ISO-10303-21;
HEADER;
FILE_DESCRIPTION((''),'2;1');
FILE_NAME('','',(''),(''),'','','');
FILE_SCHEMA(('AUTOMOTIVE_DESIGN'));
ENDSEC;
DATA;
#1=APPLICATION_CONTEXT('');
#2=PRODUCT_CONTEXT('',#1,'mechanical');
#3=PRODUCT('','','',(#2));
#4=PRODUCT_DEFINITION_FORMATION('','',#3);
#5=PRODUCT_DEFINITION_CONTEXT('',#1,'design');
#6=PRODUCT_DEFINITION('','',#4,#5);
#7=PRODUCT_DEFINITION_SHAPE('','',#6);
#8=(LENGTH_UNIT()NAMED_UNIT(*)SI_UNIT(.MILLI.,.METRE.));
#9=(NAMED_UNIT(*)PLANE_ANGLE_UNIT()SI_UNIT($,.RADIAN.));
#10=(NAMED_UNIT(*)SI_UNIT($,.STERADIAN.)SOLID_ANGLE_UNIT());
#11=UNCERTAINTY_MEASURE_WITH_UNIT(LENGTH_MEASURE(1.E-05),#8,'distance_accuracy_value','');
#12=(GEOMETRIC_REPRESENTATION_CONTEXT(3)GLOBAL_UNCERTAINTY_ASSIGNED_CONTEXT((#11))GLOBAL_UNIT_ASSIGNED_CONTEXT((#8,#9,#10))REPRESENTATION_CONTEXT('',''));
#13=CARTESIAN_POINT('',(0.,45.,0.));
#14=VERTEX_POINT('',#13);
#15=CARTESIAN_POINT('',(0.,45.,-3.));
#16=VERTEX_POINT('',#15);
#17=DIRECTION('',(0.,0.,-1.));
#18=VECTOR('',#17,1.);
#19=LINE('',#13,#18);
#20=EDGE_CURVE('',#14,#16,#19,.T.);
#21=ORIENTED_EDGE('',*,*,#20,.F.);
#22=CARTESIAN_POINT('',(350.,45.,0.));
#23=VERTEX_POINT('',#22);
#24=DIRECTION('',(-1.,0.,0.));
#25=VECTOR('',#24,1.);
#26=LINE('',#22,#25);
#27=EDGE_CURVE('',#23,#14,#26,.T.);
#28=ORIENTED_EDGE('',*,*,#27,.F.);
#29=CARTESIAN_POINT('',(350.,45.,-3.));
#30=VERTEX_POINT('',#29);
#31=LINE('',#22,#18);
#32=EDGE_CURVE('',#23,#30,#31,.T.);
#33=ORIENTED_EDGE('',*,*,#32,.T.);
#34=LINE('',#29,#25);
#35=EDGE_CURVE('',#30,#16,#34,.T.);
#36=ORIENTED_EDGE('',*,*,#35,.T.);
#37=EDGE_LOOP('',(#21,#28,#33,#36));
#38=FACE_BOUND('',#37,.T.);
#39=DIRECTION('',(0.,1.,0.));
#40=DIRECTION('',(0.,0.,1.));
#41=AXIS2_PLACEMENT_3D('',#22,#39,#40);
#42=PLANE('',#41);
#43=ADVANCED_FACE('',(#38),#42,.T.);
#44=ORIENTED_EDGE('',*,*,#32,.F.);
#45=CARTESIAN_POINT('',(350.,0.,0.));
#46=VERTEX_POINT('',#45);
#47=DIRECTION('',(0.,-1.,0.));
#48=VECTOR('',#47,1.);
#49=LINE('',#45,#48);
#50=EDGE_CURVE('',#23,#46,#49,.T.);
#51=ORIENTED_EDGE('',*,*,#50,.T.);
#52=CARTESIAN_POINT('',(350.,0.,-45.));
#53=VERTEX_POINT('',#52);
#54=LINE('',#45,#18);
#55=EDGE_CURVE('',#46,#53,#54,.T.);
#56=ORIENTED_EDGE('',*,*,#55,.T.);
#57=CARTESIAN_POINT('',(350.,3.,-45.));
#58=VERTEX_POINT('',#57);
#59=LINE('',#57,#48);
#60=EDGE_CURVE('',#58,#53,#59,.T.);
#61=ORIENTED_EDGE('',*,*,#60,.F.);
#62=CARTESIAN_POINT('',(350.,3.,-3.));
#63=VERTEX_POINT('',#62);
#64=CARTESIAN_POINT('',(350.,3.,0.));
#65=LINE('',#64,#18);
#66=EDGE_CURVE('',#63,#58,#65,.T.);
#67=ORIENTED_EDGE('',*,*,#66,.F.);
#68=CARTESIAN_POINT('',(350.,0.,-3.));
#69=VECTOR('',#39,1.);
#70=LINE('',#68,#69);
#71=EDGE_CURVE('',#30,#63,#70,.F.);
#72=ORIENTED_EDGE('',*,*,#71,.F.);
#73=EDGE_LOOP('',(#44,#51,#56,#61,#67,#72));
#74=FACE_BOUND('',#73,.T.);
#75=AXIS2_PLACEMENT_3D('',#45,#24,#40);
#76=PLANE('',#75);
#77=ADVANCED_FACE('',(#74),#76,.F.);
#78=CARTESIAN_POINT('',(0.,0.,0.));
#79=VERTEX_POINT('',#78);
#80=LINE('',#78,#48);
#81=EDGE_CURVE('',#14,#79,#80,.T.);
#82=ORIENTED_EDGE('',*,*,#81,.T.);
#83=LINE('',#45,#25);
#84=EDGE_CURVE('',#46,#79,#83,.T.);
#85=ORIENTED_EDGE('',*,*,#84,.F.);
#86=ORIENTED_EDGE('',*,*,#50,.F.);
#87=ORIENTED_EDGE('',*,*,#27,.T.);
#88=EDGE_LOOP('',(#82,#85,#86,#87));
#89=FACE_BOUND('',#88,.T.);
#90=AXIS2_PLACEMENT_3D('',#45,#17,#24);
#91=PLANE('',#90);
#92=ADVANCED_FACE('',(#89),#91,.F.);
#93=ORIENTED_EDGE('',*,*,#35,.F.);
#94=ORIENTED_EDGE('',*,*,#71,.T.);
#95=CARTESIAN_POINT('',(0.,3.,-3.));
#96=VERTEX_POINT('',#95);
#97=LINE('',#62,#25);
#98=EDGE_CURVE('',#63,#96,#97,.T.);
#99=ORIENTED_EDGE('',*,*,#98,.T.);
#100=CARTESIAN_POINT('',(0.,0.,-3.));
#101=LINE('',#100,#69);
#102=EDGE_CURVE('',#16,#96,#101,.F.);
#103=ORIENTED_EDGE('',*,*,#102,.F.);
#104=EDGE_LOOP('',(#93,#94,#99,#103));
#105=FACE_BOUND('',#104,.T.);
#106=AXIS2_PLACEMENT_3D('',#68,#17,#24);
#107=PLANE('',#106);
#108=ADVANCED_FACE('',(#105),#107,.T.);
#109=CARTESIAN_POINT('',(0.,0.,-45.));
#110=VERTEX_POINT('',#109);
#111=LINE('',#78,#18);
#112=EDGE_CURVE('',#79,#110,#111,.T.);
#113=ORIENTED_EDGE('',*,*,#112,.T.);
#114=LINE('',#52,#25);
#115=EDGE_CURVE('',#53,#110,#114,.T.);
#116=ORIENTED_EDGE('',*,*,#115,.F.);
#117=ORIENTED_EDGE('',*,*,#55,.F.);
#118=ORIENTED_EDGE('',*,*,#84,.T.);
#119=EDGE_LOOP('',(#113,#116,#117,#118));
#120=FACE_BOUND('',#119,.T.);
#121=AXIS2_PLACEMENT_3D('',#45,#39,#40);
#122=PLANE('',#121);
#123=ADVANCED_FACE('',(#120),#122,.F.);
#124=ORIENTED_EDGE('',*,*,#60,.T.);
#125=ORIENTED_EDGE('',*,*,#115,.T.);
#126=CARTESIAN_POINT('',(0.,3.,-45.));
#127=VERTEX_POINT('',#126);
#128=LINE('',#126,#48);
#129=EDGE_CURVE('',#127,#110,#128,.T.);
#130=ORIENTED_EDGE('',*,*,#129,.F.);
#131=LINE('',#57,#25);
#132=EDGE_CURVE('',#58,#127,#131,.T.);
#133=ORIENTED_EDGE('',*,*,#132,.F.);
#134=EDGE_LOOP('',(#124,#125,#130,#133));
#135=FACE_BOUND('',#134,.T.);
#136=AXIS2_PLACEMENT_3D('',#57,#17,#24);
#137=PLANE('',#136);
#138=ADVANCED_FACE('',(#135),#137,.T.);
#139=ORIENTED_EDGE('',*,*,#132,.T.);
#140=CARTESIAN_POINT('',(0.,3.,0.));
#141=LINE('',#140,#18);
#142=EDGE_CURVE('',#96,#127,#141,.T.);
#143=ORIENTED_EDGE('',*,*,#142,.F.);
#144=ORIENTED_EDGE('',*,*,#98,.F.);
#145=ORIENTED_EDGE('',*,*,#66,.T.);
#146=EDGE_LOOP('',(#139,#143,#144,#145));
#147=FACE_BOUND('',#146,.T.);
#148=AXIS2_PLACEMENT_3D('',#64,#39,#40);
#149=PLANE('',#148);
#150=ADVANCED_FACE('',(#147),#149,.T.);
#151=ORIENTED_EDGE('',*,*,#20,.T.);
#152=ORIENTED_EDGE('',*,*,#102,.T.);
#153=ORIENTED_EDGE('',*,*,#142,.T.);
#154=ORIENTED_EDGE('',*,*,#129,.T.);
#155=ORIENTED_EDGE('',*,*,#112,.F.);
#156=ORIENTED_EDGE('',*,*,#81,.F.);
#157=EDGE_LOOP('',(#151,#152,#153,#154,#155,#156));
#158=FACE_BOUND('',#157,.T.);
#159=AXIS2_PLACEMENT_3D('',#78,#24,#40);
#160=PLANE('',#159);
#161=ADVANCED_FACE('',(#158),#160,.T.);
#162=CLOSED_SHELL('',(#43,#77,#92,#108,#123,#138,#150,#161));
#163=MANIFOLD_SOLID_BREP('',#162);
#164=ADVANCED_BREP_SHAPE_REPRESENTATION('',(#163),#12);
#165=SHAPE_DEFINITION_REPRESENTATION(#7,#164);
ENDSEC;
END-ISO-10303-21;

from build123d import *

# Parameters (mm, degrees)
EXTRUDE_1_DEPTH = 350


with BuildPart() as part:
    # Эскиз1 → Вытянуть-Тонкостенный1 (new body)
    with BuildSketch(Plane(origin=(0, 0, 0), x_dir=(0, 0, -1), z_dir=(1, 0, 0))):
        Polygon((45, 0), (0, 0), (0, 45), (3, 45), (3, 3), (45, 3), align=None)
    extrude(amount=EXTRUDE_1_DEPTH)


solid = part.part
